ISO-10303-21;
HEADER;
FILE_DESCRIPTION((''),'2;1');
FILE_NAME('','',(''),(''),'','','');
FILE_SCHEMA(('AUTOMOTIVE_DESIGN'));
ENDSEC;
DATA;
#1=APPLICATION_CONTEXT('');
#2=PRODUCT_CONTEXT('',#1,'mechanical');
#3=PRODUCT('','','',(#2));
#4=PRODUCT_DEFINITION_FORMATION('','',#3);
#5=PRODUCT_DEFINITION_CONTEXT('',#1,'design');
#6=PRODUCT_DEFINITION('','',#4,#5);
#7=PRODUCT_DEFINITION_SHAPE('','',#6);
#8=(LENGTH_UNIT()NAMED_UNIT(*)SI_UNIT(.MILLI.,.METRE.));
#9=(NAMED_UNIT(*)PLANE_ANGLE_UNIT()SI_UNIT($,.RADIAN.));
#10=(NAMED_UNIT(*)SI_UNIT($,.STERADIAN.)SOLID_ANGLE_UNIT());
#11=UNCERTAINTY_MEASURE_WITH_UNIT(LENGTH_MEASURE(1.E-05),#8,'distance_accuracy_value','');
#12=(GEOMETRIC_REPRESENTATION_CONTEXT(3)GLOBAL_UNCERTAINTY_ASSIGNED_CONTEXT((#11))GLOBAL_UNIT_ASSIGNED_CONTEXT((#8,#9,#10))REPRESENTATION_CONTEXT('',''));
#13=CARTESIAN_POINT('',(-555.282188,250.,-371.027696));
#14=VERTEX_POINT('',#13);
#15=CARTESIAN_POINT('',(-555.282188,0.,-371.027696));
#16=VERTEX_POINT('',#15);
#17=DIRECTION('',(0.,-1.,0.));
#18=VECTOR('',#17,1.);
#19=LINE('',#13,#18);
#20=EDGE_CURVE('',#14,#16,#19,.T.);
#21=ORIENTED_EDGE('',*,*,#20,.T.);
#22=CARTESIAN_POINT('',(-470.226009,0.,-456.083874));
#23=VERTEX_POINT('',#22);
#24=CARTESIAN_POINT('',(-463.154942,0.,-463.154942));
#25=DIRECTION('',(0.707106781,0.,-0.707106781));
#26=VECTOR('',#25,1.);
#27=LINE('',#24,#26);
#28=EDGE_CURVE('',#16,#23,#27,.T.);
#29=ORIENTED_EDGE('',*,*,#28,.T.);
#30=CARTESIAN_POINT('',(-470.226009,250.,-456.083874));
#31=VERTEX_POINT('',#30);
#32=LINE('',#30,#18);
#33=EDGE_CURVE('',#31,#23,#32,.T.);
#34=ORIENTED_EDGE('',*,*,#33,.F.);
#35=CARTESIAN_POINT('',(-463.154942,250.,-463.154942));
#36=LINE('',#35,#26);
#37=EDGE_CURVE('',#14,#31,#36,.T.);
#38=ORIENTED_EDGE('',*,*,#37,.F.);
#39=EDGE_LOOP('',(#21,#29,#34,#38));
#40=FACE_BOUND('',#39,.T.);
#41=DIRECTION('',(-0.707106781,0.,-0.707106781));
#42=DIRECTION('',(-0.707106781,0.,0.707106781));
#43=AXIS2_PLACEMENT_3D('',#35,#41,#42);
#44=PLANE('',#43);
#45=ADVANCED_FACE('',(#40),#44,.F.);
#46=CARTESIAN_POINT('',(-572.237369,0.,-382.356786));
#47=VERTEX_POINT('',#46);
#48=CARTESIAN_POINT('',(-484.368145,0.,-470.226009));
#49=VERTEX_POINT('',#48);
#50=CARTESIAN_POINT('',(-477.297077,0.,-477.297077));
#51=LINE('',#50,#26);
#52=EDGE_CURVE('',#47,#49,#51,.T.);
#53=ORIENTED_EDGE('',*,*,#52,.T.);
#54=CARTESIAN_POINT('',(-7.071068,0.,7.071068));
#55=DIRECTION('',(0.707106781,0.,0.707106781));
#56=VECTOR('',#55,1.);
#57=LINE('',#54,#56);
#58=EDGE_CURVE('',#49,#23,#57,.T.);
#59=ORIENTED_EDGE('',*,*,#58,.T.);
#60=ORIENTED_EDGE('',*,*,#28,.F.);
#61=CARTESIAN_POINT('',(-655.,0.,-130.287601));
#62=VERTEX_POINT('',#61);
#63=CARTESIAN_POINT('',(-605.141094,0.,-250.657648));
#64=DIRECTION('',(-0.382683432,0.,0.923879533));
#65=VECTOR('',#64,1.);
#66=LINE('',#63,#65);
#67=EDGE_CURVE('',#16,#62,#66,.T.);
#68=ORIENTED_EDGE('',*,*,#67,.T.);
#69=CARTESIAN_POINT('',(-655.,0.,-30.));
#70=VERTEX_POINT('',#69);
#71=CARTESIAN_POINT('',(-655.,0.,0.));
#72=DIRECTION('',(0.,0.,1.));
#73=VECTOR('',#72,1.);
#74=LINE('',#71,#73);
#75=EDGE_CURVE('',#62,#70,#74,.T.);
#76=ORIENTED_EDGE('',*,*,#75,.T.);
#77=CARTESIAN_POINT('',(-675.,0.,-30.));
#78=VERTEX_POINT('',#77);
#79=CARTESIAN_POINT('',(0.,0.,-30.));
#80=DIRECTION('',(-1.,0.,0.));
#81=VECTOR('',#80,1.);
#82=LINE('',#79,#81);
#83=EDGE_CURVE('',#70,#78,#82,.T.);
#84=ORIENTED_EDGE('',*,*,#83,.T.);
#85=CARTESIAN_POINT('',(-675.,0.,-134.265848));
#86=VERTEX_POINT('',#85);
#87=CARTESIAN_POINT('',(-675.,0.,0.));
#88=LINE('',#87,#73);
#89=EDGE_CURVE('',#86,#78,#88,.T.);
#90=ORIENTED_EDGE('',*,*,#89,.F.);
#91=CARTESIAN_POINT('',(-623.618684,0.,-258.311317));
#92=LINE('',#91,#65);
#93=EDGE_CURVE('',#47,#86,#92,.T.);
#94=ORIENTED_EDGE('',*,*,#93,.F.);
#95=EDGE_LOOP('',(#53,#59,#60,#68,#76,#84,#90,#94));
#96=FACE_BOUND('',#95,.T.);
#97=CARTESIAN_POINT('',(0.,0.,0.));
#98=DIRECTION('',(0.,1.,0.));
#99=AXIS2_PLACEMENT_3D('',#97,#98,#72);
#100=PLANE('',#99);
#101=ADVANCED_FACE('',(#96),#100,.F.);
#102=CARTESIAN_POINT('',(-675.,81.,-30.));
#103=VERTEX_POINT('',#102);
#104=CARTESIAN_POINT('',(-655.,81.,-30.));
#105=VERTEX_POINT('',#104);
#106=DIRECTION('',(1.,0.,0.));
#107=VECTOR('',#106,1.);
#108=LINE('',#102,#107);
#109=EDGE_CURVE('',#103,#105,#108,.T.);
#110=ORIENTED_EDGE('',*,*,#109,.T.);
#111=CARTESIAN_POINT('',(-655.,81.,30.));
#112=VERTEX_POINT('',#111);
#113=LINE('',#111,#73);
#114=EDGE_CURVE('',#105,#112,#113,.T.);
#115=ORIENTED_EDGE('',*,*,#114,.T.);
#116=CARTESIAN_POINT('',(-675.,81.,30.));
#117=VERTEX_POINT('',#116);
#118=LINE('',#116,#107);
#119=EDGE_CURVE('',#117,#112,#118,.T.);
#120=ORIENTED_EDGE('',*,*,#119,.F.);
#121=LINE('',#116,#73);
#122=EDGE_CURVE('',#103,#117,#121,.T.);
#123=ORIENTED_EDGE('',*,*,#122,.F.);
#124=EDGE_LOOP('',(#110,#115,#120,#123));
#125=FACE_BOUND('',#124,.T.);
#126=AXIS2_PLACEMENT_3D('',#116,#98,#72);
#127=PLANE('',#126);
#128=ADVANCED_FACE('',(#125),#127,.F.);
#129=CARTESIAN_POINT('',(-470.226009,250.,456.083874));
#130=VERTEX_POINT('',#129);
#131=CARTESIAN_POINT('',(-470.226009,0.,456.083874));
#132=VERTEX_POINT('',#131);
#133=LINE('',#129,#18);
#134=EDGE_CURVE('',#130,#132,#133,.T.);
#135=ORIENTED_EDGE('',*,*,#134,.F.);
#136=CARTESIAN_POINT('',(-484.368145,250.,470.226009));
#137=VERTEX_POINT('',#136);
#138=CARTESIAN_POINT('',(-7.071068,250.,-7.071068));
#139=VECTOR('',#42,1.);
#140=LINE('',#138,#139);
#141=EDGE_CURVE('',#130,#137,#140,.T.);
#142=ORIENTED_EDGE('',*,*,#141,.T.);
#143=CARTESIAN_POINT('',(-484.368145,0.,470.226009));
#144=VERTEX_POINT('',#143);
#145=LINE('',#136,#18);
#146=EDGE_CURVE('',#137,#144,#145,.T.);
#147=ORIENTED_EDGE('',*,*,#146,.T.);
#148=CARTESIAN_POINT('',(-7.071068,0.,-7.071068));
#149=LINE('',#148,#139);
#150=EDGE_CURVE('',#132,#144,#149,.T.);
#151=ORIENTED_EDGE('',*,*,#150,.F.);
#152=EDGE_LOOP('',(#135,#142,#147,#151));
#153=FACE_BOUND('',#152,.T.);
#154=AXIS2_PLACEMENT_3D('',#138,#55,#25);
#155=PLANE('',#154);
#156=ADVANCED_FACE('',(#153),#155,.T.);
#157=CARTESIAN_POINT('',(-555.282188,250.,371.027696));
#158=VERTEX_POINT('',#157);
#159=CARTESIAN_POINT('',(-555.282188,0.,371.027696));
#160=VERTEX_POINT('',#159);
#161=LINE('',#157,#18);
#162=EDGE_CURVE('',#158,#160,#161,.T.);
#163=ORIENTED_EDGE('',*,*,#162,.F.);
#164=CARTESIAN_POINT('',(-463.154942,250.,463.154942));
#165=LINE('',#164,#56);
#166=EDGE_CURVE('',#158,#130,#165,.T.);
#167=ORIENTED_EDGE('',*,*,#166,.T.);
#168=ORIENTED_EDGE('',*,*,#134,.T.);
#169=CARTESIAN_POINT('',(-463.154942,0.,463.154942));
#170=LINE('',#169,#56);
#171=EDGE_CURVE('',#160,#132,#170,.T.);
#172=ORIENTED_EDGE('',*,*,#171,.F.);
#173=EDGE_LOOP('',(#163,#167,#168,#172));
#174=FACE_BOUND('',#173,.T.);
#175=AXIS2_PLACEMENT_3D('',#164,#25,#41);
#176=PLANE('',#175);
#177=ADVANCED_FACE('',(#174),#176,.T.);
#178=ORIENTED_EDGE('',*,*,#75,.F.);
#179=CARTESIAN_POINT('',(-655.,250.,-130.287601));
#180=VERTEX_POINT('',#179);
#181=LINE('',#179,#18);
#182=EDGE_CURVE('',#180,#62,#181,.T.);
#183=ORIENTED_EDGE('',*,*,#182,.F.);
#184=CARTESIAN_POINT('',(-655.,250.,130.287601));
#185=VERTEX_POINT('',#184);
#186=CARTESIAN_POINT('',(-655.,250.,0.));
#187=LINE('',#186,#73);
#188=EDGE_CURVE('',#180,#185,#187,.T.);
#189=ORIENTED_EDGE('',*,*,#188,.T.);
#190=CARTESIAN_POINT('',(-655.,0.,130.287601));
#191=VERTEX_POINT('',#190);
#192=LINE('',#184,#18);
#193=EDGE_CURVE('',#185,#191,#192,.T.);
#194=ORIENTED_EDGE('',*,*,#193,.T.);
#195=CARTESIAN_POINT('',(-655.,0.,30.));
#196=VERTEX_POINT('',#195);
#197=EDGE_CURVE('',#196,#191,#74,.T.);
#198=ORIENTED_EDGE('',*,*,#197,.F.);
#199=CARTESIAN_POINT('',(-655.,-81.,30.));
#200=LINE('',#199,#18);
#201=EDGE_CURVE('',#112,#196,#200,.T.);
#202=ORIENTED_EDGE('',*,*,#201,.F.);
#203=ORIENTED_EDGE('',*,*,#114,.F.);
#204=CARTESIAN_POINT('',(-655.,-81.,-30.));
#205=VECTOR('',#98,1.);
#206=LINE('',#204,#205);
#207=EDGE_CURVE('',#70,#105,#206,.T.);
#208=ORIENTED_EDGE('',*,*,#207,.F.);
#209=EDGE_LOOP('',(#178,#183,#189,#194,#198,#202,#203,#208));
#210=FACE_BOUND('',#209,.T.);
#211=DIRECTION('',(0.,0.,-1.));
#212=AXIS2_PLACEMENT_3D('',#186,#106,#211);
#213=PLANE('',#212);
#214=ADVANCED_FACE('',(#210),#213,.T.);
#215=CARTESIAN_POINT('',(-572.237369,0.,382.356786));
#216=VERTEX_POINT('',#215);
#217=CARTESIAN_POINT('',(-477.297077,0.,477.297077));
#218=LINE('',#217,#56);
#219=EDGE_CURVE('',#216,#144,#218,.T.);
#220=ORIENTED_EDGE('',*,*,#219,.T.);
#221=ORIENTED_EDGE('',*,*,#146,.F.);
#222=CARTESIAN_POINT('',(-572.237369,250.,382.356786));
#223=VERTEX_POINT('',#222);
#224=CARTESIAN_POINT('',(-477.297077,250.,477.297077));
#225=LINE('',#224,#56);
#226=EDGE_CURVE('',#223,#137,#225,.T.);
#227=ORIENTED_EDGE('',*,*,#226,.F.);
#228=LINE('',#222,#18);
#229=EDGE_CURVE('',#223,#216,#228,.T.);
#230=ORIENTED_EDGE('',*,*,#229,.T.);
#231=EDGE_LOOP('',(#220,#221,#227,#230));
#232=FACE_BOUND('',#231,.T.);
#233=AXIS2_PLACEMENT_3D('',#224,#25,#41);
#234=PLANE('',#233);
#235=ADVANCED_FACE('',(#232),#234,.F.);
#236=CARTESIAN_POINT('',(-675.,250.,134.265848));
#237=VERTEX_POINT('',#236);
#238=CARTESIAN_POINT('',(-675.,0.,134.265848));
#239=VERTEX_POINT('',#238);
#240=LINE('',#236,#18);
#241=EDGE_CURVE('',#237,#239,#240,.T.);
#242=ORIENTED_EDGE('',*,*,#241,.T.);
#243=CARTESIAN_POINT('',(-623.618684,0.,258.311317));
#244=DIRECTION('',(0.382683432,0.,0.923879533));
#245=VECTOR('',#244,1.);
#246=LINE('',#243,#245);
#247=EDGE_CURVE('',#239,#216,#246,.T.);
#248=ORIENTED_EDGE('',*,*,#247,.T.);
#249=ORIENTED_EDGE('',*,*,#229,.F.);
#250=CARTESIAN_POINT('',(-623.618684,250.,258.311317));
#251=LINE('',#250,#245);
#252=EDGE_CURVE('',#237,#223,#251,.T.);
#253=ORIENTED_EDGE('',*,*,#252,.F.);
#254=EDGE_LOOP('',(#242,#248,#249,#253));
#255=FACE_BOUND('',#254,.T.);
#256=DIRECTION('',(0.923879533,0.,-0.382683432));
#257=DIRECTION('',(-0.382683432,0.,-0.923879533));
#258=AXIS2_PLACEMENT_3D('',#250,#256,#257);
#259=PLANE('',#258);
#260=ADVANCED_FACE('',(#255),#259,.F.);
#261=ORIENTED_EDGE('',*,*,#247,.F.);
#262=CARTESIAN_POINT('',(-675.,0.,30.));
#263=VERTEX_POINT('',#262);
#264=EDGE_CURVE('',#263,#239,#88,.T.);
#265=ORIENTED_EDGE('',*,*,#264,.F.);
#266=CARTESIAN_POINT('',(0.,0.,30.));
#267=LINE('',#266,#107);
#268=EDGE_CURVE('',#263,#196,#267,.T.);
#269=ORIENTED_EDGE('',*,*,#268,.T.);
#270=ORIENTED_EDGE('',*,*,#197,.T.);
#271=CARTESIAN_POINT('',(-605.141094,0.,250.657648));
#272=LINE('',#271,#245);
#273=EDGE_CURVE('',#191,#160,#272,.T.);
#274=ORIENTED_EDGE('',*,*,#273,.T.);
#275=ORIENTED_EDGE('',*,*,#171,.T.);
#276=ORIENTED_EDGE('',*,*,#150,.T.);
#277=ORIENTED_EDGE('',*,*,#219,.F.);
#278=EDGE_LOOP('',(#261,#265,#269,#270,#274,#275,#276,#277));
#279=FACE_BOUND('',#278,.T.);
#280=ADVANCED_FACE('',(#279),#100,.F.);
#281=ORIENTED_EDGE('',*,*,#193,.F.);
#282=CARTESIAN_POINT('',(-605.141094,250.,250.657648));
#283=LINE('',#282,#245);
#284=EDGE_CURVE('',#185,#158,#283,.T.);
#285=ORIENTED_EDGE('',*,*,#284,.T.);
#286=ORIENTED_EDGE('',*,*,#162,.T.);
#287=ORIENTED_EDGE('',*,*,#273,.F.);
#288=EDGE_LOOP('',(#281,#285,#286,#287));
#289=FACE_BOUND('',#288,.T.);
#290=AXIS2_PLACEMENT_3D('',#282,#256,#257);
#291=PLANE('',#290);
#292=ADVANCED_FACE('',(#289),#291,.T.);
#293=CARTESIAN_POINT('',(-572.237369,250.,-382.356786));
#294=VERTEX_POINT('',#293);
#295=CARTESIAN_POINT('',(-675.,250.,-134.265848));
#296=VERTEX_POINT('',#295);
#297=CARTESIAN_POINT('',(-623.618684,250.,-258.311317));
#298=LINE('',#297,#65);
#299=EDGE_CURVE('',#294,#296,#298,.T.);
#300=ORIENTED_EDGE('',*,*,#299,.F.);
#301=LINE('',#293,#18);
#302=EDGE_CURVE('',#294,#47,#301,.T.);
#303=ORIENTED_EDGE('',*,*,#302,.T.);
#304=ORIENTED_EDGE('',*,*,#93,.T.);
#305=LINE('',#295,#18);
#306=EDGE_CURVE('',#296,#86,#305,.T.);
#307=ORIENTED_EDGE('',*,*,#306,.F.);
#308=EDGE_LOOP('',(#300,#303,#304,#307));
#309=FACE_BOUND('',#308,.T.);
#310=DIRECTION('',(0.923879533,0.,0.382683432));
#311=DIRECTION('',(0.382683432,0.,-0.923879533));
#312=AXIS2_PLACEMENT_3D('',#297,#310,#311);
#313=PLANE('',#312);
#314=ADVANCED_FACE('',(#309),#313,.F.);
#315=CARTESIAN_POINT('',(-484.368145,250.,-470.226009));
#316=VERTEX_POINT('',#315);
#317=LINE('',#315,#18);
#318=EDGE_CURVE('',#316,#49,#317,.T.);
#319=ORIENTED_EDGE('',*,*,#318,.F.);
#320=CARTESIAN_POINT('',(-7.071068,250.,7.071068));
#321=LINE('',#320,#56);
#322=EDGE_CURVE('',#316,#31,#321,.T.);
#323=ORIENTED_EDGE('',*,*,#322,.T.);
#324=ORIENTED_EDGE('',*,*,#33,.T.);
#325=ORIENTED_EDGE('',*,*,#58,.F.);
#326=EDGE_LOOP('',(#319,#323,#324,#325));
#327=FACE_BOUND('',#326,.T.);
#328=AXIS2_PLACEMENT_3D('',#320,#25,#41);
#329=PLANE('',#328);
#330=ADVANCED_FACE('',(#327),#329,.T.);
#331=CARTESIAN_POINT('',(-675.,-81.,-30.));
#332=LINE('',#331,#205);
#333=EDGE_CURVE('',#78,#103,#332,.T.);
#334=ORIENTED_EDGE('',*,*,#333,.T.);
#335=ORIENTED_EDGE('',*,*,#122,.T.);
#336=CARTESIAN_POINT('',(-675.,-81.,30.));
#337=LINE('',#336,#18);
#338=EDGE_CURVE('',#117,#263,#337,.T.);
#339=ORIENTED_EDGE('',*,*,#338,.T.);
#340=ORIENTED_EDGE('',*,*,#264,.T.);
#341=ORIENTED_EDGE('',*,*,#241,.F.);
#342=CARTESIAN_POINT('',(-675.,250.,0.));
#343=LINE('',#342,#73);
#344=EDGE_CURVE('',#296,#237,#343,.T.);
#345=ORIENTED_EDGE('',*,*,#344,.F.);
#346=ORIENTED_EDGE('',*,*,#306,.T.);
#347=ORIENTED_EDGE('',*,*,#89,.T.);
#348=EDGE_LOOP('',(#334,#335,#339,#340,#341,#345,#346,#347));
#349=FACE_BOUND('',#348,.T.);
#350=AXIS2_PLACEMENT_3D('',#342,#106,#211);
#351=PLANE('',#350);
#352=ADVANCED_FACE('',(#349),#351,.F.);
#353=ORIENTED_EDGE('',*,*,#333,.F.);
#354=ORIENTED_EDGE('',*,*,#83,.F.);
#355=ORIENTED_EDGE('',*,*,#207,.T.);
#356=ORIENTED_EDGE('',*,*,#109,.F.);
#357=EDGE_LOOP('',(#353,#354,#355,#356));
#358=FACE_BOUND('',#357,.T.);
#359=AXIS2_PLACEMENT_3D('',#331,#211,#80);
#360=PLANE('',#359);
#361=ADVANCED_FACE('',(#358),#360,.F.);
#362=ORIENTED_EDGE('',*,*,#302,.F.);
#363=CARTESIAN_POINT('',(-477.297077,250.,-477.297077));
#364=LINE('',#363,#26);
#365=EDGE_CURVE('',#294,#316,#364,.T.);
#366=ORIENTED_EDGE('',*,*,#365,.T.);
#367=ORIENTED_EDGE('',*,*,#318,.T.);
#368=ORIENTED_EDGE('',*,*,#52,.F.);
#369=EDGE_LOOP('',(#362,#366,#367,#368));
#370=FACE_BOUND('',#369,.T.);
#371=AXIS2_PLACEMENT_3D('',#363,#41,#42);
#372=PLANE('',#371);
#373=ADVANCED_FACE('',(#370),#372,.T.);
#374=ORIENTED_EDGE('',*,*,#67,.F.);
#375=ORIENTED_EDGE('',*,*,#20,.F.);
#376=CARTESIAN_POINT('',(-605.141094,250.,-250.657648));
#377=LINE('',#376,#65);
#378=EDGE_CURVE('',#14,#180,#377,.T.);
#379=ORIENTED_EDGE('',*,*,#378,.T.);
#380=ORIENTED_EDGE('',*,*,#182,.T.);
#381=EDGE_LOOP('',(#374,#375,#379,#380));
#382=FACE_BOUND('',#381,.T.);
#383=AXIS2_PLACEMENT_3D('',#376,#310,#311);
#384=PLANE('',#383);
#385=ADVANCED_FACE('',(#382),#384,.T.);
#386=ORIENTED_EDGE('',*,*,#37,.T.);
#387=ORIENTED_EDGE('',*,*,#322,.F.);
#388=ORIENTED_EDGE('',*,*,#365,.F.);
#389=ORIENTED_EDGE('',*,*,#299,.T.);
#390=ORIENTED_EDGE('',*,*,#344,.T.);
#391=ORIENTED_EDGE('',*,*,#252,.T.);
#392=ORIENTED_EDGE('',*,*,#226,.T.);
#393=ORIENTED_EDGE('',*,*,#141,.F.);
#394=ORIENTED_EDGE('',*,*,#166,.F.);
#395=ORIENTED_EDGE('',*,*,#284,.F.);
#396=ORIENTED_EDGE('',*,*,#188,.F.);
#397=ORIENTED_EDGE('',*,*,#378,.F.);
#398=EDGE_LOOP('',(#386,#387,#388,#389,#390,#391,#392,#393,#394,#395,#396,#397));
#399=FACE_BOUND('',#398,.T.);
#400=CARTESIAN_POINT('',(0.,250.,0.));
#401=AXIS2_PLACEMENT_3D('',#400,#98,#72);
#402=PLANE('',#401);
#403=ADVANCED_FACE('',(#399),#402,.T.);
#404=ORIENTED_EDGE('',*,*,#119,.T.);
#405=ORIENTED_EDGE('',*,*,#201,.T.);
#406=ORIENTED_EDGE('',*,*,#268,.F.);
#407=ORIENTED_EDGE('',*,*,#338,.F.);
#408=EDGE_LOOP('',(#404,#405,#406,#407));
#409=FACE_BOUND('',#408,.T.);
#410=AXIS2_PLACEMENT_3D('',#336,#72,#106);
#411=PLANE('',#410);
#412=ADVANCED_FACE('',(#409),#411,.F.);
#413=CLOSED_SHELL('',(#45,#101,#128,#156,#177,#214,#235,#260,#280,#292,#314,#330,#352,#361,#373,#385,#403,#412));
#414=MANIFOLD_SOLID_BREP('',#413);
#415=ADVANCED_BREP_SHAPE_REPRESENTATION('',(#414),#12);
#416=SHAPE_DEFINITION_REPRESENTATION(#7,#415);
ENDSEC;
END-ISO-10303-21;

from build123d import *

# Parameters (mm, degrees)
BOSS_EXTRUDE1_DEPTH = 250
SKETCH3_W           = 60
SKETCH3_H           = 162
CUT_EXTRUDE1_DEPTH  = 20


with BuildPart() as part:
    # Sketch2 → Boss-Extrude1 (new body)
    with BuildSketch(Plane(origin=(0, 0, 0), x_dir=(1, 0, 0), z_dir=(0, 1, 0))):
        Polygon((-470.226009489, -456.083873865), (-555.28218759, -371.027695765), (-655, -130.287600634), (-655, 130.287600634), (-555.28218759, 371.027695765), (-470.226009489, 456.083873865), (-484.368145113, 470.226009489), (-572.23736889, 382.356785712), (-675, 134.265847981), (-675, -134.265847981), (-572.23736889, -382.356785712), (-484.368145113, -470.226009489), align=None)
    extrude(amount=BOSS_EXTRUDE1_DEPTH)

    # Sketch3 → Cut-Extrude1 (cut)
    with BuildSketch(Plane(origin=(-655, 0, 0), x_dir=(0, 0, -1), z_dir=(1, 0, 0))):
        Rectangle(SKETCH3_W, SKETCH3_H)
    extrude(amount=-CUT_EXTRUDE1_DEPTH, mode=Mode.SUBTRACT)


solid = part.part
